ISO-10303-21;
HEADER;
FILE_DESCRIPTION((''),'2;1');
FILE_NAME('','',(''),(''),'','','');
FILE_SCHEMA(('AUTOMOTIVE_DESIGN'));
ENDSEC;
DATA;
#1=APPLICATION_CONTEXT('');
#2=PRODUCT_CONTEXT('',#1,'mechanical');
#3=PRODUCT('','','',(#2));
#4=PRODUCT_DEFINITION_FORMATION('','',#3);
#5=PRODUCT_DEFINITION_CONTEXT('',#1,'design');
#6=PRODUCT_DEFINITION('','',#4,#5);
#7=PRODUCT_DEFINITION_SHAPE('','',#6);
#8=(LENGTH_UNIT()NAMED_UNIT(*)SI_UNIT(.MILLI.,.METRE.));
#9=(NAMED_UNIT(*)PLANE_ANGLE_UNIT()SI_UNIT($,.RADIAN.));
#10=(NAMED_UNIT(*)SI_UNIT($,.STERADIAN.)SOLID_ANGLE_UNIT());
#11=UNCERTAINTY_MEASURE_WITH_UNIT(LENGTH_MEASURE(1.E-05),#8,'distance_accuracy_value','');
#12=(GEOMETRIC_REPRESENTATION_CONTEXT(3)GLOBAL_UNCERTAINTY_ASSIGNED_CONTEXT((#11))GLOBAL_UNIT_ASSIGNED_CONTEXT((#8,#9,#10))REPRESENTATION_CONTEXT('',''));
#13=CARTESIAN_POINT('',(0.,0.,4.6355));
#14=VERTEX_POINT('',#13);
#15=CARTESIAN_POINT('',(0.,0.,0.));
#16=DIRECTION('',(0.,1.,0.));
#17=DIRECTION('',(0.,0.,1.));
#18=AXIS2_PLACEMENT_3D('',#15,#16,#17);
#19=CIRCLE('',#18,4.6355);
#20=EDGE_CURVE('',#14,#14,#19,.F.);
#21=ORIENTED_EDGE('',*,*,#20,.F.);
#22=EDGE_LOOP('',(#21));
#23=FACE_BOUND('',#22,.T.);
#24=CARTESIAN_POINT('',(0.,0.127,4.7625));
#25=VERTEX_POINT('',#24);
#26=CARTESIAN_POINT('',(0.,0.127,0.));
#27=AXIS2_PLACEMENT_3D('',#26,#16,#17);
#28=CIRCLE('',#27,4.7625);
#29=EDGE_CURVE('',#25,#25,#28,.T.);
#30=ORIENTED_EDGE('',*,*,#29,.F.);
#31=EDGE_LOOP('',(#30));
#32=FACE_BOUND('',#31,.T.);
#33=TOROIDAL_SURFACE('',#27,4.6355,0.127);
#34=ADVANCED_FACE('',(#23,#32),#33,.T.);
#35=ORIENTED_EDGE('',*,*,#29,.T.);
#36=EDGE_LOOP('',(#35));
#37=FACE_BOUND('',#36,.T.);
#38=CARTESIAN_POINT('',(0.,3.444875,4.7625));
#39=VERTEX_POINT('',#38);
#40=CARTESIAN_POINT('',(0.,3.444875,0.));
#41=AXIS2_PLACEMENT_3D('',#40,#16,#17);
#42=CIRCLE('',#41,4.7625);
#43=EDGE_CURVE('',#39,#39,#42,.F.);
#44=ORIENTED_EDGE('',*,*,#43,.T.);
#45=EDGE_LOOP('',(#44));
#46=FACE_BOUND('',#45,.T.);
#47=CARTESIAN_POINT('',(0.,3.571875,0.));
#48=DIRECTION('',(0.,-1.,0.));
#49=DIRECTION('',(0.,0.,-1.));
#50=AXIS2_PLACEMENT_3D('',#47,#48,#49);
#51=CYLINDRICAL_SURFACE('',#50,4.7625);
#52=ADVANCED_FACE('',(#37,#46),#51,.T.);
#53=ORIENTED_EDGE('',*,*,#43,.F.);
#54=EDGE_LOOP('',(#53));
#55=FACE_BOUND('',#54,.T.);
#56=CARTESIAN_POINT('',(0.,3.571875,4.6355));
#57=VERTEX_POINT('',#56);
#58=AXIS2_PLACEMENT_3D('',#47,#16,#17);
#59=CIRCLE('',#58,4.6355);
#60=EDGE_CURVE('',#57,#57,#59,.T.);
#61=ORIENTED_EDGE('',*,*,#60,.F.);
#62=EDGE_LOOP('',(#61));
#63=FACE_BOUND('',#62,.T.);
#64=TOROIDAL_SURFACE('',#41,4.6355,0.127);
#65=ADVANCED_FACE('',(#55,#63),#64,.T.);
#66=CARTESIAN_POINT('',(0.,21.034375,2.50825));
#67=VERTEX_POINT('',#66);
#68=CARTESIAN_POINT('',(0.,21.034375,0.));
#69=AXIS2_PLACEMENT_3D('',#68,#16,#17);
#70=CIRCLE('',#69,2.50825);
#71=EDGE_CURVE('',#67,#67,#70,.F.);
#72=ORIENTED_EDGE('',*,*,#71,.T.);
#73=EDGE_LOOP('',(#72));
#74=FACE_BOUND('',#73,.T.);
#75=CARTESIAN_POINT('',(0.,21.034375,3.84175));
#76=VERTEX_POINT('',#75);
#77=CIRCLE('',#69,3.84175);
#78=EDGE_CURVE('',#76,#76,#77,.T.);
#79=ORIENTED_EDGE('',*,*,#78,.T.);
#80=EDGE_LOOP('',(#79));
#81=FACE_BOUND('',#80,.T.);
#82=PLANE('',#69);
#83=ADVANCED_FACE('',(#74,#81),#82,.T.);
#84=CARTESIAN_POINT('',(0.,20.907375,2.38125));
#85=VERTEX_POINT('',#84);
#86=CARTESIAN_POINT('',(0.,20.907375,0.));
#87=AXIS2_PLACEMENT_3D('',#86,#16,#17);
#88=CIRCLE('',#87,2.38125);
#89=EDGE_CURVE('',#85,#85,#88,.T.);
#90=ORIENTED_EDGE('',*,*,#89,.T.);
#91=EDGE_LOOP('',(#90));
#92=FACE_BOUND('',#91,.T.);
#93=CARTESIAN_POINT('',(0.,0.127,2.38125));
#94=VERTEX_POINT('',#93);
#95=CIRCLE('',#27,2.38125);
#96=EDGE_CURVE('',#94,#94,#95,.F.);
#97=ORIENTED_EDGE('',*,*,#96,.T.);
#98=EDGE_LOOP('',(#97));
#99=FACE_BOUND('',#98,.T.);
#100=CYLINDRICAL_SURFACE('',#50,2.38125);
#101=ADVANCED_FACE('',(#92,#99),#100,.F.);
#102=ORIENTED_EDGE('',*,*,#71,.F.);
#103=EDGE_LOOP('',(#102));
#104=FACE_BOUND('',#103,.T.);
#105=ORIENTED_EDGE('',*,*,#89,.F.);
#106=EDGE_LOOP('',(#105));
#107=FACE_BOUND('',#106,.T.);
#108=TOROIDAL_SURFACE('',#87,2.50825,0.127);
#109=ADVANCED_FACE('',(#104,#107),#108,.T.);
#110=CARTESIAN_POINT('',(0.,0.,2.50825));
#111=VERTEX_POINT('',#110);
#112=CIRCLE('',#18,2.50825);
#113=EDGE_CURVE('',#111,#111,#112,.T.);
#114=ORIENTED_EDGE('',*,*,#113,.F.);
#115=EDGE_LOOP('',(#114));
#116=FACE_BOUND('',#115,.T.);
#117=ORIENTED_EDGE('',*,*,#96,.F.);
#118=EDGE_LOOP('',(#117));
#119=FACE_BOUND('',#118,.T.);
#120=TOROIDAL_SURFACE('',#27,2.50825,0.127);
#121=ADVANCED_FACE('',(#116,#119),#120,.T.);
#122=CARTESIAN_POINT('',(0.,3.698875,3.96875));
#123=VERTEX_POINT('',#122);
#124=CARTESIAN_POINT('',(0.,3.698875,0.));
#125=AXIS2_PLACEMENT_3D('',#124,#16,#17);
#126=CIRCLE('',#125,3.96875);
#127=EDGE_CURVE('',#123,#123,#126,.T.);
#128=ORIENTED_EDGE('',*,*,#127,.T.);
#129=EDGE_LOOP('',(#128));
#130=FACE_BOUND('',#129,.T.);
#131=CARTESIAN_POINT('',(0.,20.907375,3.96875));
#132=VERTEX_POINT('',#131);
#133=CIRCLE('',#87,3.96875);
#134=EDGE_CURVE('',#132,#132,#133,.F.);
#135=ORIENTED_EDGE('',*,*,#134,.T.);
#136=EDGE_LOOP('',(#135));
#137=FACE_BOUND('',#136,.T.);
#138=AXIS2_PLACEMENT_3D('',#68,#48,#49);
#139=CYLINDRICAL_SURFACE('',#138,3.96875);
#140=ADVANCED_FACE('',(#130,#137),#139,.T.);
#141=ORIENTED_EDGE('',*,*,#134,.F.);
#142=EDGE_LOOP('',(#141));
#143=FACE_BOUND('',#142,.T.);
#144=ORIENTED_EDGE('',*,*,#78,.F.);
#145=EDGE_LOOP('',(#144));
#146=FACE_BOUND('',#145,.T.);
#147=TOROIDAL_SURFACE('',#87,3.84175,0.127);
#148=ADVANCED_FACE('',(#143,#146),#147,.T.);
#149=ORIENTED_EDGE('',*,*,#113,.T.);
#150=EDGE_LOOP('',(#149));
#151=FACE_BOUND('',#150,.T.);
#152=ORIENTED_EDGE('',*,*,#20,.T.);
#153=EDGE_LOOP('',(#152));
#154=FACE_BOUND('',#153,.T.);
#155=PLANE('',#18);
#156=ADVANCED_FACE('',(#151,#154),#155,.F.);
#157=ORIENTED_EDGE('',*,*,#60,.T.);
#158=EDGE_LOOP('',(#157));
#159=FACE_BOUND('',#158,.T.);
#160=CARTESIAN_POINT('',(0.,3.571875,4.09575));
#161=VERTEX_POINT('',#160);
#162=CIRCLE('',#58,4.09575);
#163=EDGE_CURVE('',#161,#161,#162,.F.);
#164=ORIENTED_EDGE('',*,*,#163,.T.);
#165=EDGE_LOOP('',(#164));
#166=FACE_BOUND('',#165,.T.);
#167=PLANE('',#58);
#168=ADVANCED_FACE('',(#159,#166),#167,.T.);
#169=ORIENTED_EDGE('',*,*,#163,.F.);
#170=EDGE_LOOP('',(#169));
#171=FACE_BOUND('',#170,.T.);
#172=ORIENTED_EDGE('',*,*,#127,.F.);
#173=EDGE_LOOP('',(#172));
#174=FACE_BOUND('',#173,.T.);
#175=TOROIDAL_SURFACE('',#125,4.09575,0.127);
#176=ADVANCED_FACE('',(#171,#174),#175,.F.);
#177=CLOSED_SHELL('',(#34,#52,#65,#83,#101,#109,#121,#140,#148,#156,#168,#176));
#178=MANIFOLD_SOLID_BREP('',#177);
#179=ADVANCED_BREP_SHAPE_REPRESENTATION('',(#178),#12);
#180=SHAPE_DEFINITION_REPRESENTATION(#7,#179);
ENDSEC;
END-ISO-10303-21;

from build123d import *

# Parameters (mm, degrees)
SKETCH1_R           = 4.7625
SKETCH1_R_2         = 2.38125
BOSS_EXTRUDE1_DEPTH = 3.571875
SKETCH2_R           = 3.96875
SKETCH2_R_2         = 2.38125
BOSS_EXTRUDE2_DEPTH = 17.4625
FILLET1_R           = 0.127


with BuildPart() as part:
    # Sketch1 → Boss-Extrude1 (new body)
    with BuildSketch(Plane(origin=(0, 0, 0), x_dir=(1, 0, 0), z_dir=(0, 1, 0))):
        Circle(SKETCH1_R)
        Circle(SKETCH1_R_2, mode=Mode.SUBTRACT)
    extrude(amount=BOSS_EXTRUDE1_DEPTH)

    # Sketch2 → Boss-Extrude2 (add)
    with BuildSketch(Plane(origin=(0, 3.571875, 0), x_dir=(1, 0, 0), z_dir=(0, 1, 0))):
        Circle(SKETCH2_R)
        Circle(SKETCH2_R_2, mode=Mode.SUBTRACT)
    extrude(amount=BOSS_EXTRUDE2_DEPTH)

    # Fillet1
    fillet1_edges = [part.edges().sort_by_distance(p)[0] for p in [
        (-3.96875, 3.571875, 0),
        (-3.96875, 21.034375, 0),
        (-2.38125, 21.034375, 0),
        (-4.7625, 0, 0),
        (-4.7625, 3.571875, 0),
        (-2.38125, 0, 0),
    ]]
    fillet(fillet1_edges, radius=FILLET1_R)


solid = part.part
